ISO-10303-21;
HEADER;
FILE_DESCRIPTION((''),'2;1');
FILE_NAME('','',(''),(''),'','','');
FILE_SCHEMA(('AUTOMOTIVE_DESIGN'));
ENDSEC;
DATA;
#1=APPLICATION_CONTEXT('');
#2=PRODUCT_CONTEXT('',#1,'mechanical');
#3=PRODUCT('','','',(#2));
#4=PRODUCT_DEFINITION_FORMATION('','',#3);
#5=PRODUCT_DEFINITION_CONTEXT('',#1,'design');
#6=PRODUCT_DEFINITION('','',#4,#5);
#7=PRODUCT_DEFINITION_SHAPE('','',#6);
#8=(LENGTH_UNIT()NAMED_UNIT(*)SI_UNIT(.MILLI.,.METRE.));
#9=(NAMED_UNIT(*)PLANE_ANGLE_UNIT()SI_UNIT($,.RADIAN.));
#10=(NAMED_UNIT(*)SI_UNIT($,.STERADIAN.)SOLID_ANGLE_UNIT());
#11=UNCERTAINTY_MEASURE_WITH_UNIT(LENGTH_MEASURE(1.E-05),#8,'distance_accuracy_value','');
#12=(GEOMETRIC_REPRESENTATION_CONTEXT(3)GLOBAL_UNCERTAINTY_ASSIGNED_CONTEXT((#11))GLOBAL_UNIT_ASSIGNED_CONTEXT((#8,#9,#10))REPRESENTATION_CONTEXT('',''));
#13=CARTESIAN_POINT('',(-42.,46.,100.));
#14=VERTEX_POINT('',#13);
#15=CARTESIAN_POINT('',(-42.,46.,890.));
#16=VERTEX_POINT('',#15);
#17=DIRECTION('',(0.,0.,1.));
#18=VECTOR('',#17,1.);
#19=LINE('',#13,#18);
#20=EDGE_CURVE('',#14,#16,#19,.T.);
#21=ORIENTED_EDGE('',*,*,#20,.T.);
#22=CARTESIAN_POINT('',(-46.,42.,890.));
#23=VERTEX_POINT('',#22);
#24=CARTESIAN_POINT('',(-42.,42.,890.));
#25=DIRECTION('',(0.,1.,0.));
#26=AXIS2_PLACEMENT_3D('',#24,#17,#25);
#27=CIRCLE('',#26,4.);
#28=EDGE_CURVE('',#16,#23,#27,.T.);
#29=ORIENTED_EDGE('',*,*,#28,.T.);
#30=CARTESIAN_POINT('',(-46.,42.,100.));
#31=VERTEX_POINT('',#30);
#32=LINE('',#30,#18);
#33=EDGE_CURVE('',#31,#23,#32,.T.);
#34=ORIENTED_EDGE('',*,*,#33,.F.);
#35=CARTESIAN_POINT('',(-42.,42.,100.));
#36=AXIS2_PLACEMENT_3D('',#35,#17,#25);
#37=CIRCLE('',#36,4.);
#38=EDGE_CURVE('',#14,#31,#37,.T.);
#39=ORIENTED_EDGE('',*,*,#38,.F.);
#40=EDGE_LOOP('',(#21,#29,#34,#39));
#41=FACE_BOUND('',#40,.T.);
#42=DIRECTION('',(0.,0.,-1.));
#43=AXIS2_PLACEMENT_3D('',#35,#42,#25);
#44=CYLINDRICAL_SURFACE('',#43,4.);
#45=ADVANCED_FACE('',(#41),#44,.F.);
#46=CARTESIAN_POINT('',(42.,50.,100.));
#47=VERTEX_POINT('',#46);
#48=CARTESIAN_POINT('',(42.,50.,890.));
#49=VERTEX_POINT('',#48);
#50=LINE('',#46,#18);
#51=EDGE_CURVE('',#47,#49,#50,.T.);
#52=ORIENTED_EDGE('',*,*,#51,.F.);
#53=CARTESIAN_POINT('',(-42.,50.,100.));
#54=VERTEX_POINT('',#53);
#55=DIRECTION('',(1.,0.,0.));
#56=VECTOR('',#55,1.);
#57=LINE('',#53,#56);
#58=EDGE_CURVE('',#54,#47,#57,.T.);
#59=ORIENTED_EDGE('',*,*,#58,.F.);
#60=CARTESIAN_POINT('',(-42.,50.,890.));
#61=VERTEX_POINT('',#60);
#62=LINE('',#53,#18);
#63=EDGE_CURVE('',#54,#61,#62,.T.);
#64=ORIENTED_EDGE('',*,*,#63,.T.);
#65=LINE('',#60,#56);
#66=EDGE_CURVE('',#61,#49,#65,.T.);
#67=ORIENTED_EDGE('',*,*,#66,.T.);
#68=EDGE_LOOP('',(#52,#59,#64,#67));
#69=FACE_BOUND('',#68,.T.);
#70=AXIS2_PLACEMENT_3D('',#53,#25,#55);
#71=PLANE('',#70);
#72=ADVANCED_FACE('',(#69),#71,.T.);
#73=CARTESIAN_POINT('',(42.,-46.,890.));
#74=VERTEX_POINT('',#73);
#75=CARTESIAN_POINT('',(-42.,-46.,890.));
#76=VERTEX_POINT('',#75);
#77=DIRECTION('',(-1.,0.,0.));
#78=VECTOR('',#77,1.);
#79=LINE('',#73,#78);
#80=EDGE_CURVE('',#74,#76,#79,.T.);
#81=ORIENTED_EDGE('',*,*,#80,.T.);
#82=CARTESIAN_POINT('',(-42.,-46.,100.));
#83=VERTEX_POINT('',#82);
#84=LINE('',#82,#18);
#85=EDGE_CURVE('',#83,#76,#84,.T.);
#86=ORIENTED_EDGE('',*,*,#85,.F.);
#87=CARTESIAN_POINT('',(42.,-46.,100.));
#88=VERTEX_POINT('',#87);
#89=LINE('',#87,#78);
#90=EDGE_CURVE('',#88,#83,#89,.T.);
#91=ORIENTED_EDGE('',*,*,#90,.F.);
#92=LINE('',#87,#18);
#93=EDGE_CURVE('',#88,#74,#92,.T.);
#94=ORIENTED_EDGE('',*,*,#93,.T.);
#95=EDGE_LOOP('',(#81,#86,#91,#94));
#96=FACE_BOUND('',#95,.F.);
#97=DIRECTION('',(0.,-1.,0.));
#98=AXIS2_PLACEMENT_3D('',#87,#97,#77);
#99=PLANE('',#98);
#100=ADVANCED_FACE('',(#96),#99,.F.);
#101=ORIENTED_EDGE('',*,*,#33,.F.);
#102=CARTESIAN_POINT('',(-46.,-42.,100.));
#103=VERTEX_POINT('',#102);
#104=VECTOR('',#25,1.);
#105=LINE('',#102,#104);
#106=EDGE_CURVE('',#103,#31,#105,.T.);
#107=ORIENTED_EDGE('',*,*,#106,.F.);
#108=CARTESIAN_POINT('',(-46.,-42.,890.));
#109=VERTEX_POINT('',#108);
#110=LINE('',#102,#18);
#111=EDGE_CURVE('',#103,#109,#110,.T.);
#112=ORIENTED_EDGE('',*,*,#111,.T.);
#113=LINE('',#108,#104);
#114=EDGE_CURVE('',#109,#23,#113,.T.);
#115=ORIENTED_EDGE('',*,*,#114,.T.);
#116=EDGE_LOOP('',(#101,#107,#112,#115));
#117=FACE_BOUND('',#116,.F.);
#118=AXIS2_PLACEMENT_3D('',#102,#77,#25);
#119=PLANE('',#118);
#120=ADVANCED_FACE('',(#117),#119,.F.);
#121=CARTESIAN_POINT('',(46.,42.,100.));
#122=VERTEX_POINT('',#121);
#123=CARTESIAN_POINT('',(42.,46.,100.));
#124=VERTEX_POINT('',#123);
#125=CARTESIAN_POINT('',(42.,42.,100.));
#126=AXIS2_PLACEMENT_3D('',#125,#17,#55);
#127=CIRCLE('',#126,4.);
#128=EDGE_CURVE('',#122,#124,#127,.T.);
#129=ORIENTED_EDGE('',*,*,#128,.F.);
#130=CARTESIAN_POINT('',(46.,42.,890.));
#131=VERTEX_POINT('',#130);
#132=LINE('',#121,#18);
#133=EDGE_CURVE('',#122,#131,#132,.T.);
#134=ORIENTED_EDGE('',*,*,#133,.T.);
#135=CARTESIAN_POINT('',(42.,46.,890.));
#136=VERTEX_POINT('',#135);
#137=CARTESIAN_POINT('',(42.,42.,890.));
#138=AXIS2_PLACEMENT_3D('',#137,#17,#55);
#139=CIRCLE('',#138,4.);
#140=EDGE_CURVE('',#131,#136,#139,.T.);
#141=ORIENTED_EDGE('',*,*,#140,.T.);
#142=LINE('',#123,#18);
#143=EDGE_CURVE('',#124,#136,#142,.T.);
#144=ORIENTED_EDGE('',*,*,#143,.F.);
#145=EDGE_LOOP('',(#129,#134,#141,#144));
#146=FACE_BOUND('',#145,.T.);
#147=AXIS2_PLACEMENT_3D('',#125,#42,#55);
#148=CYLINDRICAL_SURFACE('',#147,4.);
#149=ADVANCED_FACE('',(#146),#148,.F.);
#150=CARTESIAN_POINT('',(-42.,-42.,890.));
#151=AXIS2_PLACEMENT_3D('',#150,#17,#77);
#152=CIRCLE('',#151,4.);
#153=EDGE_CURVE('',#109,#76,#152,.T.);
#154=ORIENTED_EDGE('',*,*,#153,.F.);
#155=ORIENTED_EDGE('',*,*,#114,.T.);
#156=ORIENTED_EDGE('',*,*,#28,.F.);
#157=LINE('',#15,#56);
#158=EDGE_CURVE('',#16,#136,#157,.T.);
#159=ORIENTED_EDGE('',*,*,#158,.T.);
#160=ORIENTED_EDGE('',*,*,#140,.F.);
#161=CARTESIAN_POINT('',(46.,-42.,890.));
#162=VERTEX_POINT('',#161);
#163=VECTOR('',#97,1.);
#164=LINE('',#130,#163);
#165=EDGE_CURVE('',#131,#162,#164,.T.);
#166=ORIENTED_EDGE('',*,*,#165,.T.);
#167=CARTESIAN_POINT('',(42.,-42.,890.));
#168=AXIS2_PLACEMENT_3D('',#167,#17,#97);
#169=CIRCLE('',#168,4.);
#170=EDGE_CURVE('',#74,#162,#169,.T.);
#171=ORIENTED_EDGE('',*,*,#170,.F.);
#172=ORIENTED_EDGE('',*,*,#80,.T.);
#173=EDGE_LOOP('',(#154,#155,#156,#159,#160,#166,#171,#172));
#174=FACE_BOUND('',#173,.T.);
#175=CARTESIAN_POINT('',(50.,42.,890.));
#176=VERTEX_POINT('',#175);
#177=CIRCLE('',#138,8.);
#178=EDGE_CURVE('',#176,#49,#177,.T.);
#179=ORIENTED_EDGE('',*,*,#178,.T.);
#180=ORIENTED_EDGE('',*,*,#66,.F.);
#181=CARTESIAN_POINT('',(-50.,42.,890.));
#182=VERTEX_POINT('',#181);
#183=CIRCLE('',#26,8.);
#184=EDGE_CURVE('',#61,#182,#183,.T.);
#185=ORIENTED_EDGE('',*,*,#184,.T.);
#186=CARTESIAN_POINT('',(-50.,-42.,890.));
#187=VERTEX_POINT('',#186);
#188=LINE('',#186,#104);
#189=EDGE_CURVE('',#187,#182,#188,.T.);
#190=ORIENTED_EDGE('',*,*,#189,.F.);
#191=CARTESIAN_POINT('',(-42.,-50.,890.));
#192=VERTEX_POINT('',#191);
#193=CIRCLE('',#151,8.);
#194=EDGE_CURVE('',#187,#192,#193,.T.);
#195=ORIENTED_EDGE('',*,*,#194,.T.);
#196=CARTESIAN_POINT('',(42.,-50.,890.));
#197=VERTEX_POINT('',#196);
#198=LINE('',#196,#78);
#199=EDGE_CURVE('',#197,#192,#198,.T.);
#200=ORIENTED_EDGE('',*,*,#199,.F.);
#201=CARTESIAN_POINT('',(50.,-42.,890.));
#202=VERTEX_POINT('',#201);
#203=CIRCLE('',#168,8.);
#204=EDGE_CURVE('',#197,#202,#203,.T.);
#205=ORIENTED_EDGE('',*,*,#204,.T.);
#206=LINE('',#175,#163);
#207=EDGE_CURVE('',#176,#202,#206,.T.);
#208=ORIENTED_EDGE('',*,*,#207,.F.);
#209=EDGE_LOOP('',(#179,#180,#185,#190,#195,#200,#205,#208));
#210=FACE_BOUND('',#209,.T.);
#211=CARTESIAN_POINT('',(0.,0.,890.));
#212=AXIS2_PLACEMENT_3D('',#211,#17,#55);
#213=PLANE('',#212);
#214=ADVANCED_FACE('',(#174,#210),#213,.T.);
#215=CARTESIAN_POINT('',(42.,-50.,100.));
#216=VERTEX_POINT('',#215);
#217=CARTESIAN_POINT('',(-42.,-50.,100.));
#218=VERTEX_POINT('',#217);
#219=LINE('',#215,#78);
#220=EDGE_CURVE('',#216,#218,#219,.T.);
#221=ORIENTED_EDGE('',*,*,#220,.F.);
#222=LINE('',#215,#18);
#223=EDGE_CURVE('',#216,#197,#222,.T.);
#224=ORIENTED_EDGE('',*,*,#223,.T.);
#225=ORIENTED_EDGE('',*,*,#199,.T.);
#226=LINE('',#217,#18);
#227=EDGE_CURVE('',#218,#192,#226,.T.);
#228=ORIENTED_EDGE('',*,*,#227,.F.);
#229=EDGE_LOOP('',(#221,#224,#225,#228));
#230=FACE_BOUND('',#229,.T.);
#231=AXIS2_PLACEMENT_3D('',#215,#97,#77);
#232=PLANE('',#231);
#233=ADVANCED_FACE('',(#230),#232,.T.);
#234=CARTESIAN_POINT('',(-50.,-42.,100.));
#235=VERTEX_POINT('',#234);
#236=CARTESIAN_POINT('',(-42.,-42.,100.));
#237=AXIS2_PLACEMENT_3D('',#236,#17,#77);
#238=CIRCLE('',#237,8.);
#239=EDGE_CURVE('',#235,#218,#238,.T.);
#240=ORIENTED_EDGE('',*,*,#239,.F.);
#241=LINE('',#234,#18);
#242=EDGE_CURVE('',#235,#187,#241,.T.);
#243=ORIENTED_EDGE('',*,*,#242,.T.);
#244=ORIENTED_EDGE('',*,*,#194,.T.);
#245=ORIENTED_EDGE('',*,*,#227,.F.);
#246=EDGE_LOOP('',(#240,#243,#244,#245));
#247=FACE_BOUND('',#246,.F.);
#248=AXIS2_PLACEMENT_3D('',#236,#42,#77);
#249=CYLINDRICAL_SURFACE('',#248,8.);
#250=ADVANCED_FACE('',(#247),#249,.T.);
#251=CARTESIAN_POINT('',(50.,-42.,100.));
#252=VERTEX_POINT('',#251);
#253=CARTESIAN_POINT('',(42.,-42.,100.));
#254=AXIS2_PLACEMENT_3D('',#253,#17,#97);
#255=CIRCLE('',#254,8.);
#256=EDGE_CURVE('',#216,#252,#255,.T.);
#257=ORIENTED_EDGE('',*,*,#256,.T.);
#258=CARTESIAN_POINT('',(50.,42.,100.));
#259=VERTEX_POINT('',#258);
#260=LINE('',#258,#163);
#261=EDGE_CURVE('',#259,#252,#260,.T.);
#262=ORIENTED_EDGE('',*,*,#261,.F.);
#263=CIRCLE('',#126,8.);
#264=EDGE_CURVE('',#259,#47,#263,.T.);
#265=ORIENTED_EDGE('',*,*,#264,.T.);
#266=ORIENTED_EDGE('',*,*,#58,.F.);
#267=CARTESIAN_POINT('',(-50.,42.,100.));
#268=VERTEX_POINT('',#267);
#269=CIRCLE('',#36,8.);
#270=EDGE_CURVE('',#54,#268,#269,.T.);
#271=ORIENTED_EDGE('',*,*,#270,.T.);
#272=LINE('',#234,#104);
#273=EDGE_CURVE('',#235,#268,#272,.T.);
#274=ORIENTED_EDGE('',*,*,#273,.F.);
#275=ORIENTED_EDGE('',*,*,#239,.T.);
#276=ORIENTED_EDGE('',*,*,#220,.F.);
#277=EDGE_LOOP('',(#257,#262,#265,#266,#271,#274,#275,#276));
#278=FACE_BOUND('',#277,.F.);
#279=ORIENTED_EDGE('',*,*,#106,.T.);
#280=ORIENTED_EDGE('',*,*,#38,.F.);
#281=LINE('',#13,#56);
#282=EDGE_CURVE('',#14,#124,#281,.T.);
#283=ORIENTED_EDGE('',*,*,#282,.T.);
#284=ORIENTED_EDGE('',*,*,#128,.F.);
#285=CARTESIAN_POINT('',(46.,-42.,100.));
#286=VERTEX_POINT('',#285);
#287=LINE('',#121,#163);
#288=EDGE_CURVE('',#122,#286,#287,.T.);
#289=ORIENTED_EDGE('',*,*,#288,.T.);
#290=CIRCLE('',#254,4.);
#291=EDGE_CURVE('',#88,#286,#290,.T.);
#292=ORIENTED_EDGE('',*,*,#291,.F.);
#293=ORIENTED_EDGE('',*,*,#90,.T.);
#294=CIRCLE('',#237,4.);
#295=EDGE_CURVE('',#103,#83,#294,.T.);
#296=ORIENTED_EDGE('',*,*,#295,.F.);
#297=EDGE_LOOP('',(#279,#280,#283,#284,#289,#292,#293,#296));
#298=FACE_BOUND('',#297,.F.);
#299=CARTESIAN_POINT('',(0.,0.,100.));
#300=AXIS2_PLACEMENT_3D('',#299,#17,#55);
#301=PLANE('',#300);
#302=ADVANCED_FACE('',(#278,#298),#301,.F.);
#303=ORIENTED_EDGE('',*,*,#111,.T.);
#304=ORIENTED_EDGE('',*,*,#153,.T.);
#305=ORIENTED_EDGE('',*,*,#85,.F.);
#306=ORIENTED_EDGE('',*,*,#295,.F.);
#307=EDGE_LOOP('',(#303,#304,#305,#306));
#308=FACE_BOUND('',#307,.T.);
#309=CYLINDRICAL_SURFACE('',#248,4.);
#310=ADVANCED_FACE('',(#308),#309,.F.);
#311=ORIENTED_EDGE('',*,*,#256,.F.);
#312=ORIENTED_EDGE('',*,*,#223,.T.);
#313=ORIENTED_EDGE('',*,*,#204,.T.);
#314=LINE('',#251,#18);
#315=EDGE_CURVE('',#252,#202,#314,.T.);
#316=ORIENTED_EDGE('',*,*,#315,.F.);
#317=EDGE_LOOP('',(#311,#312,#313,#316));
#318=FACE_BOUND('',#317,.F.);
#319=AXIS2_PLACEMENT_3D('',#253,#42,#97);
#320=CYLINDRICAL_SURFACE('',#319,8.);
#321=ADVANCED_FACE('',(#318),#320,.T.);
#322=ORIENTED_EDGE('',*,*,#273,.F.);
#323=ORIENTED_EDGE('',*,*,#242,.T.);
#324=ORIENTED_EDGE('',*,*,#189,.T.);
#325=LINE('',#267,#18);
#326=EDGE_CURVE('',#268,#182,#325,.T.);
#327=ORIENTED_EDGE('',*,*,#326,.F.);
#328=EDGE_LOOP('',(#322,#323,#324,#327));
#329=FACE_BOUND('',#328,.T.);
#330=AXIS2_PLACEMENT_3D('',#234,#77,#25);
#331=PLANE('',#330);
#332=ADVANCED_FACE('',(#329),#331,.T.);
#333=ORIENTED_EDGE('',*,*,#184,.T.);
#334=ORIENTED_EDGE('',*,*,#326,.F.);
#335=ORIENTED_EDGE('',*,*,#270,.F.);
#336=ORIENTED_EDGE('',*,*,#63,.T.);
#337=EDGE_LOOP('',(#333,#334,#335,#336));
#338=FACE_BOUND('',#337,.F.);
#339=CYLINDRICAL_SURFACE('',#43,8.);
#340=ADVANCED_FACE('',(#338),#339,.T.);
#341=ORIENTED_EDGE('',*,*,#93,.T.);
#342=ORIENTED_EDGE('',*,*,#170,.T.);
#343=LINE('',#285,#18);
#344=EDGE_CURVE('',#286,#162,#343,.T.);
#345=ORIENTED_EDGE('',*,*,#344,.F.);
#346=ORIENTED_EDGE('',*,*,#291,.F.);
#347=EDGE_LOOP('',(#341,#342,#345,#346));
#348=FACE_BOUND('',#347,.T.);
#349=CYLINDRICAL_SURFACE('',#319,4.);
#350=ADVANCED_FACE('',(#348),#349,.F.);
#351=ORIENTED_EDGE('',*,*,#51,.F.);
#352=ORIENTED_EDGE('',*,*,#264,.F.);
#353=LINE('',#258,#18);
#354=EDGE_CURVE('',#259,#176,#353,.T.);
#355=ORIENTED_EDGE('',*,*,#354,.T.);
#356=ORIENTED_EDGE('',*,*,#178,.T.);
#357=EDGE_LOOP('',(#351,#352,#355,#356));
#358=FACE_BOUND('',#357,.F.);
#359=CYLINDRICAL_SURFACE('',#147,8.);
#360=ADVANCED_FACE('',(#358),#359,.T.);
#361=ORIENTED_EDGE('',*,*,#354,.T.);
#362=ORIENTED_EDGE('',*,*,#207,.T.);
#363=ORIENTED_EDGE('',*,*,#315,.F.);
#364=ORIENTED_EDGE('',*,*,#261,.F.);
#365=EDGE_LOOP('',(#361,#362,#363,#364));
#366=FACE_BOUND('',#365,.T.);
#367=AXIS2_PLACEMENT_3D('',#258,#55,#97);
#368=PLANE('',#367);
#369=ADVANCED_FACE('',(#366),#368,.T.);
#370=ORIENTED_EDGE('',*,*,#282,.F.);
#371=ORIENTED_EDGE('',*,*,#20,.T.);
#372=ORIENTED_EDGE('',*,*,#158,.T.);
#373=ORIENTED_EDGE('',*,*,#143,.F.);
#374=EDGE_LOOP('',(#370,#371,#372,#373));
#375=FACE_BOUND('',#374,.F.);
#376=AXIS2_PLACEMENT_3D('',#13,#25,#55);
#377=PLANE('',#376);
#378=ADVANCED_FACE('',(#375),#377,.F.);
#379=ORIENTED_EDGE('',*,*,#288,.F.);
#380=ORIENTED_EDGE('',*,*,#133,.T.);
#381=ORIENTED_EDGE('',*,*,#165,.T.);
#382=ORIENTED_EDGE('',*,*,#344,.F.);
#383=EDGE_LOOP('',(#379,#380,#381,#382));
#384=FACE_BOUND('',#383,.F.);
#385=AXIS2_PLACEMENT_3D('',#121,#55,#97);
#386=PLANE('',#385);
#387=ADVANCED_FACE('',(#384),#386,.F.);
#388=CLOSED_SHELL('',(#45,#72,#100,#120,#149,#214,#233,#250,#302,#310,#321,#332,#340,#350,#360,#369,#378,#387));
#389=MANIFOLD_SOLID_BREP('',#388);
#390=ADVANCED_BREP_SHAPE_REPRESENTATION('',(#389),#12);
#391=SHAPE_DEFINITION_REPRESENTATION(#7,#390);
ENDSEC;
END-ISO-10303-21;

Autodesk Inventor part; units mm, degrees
ref_plane "YZ Plane" through (0, 0, 0) normal (1, 0, 0) x (0, 1, 0)
ref_plane "Start Plane" through (0, 0, 100) normal (0, 0, 1) x (1, 0, 0)
ref_plane "End Plane" through (0, 0, 890) normal (0, 0, 1) x (1, 0, 0)
sketch "Sketch" plane through (0, 0, 0) normal (0, 0, 1) x (1, 0, 0)
  line L0 (-50, -42) -> (-50, 42)
  line L1 (-42, 50) -> (42, 50)
  line L2 (50, 42) -> (50, -42)
  line L3 (42, -50) -> (-42, -50)
  arc A0 (-50, -42) -> (-42, -50) centre (-42, -42) ccw
  arc A1 (50, 42) -> (42, 50) centre (42, 42) ccw
  arc A2 (-42, 50) -> (-50, 42) centre (-42, 42) ccw
  arc A3 (42, -50) -> (50, -42) centre (42, -42) ccw
  arc A4 (-42, 46) -> (-46, 42) centre (-42, 42) ccw
  line L4 (-42, 46) -> (42, 46)
  arc A5 (46, 42) -> (42, 46) centre (42, 42) ccw
  line L5 (46, 42) -> (46, -42)
  arc A6 (42, -46) -> (46, -42) centre (42, -42) ccw
  line L6 (42, -46) -> (-42, -46)
  arc A7 (-46, -42) -> (-42, -46) centre (-42, -42) ccw
  line L7 (-46, -42) -> (-46, 42)
  line L8 (0, 72.3196) -> (0, -72.3196) construction
  line L9 (-72.3196, 0) -> (72.3196, 0) construction
  dimension "d7" = 8
  dimension "d9" = 100
  dimension "d11" = 100
  dimension "d12" = 4
  dimension "d15" = 50
  dimension "d16" = 50
extrude "Body" add sketch "Sketch" along normal up to surface (790 mm away) from surface at 100
sketch "Sketch3" plane through (0, 0, 0) normal (0, 0, 1) x (1, 0, 0)
  line L0 (0, 0) -> (10, 0)
ref_plane "Work Plane3" through (0, 0, 0) normal (0, -1, 0) x (1, 0, 0)
sketch "Sketch4" plane through (0, 0, 0) normal (0, -1, 0) x (1, 0, 0)
  line L0 (-2, 100) -> (12, 100) projected
  line L1 (-2, 890) -> (12, 890) projected
  dimension "d18" = 790
equation "\"d7\" = G_IR"
equation "\"d9\" = G_W"
equation "\"d11\" = G_H"
equation "\"d12\" = G_T"
equation "\"d15\" = 0.5 * d9"
equation "\"d16\" = 0.5 * d11"
equation "\"d3\" = G_L"
equation "\"G_W\" = 100"
equation "\"G_H\" = 100"
equation "\"G_T\" = 4"
equation "\"G_IR\" = 8"
equation "\"G_L\" = d18"
properties part number "ISO 10799-2 - 100x100x4 - 790" material "Steel, Mild"
